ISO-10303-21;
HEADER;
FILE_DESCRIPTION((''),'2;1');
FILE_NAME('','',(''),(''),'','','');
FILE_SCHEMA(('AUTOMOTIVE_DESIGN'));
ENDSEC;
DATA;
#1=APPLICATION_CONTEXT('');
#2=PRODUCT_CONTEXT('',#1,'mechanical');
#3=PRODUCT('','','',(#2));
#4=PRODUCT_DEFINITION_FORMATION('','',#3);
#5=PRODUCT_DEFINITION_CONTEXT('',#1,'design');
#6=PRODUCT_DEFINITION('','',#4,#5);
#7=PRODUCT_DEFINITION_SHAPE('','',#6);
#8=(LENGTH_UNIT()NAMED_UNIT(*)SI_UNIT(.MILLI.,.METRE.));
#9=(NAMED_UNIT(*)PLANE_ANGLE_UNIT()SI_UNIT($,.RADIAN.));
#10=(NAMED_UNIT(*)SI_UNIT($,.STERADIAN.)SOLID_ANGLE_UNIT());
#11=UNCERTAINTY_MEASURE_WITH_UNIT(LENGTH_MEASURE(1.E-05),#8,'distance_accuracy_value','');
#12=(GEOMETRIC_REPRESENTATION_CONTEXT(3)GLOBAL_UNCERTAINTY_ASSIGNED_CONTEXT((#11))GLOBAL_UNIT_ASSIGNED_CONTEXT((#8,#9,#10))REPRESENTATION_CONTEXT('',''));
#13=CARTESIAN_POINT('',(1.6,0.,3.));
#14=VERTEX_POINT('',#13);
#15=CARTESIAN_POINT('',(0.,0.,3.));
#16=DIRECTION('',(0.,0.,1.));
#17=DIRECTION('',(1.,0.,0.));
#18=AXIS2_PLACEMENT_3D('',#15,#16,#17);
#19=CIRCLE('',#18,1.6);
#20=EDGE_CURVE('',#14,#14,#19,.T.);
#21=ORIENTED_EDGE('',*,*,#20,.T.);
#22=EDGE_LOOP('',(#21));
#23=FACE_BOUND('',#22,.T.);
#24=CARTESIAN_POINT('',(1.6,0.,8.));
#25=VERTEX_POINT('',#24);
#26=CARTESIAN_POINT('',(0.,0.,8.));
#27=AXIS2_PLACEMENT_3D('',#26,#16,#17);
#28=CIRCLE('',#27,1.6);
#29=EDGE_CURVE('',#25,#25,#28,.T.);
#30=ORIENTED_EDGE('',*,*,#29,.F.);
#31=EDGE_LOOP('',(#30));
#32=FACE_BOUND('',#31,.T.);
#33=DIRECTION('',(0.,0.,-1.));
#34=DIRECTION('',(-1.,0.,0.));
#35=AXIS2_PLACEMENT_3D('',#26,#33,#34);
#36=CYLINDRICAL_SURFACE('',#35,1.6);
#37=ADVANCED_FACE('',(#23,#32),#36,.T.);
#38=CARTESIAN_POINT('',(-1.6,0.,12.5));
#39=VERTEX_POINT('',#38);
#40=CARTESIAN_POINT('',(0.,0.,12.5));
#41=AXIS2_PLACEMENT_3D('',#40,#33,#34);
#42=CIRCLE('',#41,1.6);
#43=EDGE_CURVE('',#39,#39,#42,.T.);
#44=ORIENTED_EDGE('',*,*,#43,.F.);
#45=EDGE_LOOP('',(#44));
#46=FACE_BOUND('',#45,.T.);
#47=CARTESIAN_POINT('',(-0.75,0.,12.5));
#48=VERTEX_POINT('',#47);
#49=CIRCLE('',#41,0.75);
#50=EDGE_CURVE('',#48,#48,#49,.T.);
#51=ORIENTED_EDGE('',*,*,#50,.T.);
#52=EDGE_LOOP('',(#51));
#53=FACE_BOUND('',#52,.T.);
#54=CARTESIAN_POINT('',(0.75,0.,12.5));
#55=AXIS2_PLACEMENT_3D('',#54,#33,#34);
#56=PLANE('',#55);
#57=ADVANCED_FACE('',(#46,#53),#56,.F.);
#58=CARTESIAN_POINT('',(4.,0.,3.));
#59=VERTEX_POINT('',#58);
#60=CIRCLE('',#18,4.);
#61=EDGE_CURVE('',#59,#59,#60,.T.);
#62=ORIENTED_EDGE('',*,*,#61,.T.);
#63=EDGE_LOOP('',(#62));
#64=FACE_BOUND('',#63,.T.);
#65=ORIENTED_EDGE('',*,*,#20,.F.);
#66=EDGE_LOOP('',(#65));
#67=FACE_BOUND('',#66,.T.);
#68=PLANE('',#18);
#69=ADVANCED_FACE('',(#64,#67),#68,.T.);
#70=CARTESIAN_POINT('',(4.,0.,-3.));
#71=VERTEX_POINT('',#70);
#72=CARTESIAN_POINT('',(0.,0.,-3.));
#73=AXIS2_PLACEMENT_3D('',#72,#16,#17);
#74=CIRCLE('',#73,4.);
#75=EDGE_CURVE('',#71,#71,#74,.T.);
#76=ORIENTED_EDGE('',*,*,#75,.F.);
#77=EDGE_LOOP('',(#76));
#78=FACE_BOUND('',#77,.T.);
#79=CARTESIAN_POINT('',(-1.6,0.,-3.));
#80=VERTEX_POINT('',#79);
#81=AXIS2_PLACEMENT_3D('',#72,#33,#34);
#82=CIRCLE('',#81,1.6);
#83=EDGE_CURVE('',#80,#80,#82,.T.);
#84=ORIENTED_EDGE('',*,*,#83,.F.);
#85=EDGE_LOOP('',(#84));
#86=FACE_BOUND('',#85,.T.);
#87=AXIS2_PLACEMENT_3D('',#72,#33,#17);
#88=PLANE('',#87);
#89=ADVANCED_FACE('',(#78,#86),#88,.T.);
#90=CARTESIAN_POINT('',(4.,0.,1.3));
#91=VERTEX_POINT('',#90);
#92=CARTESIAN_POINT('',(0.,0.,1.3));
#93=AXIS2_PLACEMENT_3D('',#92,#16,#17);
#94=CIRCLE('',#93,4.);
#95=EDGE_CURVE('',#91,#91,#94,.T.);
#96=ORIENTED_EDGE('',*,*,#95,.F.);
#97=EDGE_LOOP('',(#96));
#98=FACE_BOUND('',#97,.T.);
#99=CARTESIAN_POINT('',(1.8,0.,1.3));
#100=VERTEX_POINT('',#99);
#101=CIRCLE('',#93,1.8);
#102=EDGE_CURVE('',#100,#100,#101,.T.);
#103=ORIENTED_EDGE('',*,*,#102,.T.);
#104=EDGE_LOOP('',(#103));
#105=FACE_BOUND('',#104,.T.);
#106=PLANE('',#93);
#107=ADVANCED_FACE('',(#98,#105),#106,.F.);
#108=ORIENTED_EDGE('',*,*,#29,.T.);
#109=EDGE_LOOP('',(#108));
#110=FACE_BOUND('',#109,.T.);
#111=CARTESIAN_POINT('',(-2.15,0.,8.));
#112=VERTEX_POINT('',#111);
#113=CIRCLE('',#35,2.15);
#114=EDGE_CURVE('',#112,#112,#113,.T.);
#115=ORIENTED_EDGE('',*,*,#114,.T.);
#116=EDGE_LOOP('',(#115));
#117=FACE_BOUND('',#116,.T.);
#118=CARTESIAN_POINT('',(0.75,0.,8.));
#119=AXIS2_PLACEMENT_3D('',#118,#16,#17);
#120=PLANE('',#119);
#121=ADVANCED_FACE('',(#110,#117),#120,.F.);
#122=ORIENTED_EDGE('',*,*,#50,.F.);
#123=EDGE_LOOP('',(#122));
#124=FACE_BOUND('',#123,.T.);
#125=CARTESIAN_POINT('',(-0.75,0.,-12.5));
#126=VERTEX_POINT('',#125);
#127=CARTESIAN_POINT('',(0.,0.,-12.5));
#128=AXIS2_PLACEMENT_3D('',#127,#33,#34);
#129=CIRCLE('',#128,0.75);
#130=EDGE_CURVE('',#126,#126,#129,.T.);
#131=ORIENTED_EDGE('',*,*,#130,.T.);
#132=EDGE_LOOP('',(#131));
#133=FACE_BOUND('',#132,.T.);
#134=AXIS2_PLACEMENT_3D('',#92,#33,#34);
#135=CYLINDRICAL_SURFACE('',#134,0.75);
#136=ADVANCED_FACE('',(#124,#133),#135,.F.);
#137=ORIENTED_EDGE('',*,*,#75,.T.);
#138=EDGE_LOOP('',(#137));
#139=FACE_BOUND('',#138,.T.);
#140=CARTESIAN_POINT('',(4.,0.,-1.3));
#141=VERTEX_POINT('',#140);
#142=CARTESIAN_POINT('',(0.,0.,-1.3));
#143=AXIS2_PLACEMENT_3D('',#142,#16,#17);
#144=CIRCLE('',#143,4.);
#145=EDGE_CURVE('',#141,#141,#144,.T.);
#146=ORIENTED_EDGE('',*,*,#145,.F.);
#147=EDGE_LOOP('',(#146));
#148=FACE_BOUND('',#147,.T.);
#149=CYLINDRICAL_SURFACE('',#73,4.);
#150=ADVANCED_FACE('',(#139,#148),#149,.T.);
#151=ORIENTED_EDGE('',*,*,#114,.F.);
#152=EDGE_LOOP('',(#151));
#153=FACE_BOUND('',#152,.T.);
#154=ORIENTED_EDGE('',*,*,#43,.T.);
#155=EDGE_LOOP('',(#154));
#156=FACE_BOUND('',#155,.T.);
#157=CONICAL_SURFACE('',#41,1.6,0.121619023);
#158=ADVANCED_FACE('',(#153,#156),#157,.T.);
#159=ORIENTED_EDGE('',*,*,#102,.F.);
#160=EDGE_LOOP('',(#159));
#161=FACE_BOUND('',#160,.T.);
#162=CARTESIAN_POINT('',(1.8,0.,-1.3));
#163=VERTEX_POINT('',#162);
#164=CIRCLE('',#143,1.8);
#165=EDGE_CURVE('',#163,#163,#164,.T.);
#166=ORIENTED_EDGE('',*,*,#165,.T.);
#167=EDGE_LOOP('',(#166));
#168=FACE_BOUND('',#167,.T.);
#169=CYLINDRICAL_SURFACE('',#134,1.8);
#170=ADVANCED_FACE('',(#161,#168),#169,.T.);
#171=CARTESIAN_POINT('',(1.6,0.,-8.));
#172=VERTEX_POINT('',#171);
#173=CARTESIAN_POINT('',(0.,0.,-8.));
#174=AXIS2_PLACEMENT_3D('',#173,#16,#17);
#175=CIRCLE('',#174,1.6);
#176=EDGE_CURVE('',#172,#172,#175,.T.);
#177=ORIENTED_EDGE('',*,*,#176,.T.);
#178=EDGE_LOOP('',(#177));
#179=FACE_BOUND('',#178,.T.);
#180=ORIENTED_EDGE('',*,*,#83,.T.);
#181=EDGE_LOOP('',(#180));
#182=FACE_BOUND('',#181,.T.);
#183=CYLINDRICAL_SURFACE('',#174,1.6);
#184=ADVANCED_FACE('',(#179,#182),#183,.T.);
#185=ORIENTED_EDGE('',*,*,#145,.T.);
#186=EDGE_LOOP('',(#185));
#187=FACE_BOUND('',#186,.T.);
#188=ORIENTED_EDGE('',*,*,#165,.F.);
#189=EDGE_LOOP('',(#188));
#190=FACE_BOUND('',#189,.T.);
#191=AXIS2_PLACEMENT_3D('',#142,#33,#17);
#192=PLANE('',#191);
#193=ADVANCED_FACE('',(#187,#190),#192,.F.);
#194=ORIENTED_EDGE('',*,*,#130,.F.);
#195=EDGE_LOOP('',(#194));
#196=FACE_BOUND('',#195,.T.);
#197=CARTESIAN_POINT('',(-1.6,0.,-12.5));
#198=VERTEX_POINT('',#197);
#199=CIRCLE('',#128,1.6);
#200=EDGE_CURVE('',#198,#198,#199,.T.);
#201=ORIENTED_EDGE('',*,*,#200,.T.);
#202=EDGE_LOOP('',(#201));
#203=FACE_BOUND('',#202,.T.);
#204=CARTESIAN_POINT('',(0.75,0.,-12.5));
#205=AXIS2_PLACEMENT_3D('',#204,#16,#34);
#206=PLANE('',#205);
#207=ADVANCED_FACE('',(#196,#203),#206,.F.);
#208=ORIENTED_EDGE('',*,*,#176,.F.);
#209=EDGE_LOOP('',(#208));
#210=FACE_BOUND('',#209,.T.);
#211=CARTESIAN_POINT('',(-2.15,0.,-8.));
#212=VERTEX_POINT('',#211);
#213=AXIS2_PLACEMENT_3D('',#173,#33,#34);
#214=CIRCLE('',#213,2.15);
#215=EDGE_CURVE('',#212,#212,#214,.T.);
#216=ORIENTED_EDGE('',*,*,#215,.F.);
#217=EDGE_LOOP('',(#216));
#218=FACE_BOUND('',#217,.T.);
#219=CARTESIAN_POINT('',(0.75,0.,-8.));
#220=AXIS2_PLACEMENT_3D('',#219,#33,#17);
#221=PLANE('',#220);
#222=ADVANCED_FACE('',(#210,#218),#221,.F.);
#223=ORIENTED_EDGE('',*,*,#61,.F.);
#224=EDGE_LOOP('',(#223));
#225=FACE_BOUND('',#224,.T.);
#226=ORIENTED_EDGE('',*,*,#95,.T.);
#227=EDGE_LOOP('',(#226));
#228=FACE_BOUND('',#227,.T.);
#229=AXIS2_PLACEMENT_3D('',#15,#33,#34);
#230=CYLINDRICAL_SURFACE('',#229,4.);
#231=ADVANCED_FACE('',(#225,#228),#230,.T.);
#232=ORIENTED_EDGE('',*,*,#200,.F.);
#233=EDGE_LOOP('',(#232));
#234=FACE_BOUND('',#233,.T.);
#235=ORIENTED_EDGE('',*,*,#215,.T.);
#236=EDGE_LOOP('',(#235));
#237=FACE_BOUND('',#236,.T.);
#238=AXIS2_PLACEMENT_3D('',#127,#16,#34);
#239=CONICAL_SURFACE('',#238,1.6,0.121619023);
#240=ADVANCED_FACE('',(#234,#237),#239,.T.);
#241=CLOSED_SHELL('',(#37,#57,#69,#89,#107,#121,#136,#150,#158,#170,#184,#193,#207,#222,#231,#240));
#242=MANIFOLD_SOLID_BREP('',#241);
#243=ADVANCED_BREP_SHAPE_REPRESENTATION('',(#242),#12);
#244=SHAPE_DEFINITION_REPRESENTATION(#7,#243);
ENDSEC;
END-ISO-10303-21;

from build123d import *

# Parameters (mm, degrees)
SKETCH1_R           = 1.8
SKETCH1_R_2         = 0.75
BOSS_EXTRUDE1_DEPTH = 1.3
SKETCH2_R           = 4
SKETCH2_R_2         = 0.75
BOSS_EXTRUDE2_DEPTH = 1.7
SKETCH3_R           = 1.6
SKETCH3_R_2         = 0.75
BOSS_EXTRUDE3_DEPTH = 5


with BuildPart() as part:
    # Sketch1 → Boss-Extrude1 (new body)
    with BuildSketch(Plane.XY):
        Circle(SKETCH1_R)
        Circle(SKETCH1_R_2, mode=Mode.SUBTRACT)
    boss_extrude1 = extrude(amount=BOSS_EXTRUDE1_DEPTH)

    # Sketch2 → Boss-Extrude2 (add)
    with BuildSketch(Plane.XY.offset(1.3)):
        Circle(SKETCH2_R)
        Circle(SKETCH2_R_2, mode=Mode.SUBTRACT)
    boss_extrude2 = extrude(amount=BOSS_EXTRUDE2_DEPTH)

    # Sketch3 → Boss-Extrude3 (add)
    with BuildSketch(Plane.XY.offset(3)):
        Circle(SKETCH3_R)
        Circle(SKETCH3_R_2, mode=Mode.SUBTRACT)
    boss_extrude3 = extrude(amount=BOSS_EXTRUDE3_DEPTH)

    # Sketch5 → Revolve1 (revolve)
    with BuildSketch(Plane(origin=(0, 0, 0), x_dir=(1, 0, 0), z_dir=(0, 1, 0))):
        Polygon((0.75, -8), (0.75, -12.5), (1.6, -12.5), (2.15, -8), align=None)
    revolve1 = revolve(axis=Axis((0, 0, 0), (0, 0, 1)))

    # Mirror1: Boss-Extrude1, Boss-Extrude2, Boss-Extrude3, Revolve1 across plane
    add(boss_extrude1.mirror(Plane.XY))
    add(boss_extrude2.mirror(Plane.XY))
    add(boss_extrude3.mirror(Plane.XY))
    add(revolve1.mirror(Plane.XY))


solid = part.part
